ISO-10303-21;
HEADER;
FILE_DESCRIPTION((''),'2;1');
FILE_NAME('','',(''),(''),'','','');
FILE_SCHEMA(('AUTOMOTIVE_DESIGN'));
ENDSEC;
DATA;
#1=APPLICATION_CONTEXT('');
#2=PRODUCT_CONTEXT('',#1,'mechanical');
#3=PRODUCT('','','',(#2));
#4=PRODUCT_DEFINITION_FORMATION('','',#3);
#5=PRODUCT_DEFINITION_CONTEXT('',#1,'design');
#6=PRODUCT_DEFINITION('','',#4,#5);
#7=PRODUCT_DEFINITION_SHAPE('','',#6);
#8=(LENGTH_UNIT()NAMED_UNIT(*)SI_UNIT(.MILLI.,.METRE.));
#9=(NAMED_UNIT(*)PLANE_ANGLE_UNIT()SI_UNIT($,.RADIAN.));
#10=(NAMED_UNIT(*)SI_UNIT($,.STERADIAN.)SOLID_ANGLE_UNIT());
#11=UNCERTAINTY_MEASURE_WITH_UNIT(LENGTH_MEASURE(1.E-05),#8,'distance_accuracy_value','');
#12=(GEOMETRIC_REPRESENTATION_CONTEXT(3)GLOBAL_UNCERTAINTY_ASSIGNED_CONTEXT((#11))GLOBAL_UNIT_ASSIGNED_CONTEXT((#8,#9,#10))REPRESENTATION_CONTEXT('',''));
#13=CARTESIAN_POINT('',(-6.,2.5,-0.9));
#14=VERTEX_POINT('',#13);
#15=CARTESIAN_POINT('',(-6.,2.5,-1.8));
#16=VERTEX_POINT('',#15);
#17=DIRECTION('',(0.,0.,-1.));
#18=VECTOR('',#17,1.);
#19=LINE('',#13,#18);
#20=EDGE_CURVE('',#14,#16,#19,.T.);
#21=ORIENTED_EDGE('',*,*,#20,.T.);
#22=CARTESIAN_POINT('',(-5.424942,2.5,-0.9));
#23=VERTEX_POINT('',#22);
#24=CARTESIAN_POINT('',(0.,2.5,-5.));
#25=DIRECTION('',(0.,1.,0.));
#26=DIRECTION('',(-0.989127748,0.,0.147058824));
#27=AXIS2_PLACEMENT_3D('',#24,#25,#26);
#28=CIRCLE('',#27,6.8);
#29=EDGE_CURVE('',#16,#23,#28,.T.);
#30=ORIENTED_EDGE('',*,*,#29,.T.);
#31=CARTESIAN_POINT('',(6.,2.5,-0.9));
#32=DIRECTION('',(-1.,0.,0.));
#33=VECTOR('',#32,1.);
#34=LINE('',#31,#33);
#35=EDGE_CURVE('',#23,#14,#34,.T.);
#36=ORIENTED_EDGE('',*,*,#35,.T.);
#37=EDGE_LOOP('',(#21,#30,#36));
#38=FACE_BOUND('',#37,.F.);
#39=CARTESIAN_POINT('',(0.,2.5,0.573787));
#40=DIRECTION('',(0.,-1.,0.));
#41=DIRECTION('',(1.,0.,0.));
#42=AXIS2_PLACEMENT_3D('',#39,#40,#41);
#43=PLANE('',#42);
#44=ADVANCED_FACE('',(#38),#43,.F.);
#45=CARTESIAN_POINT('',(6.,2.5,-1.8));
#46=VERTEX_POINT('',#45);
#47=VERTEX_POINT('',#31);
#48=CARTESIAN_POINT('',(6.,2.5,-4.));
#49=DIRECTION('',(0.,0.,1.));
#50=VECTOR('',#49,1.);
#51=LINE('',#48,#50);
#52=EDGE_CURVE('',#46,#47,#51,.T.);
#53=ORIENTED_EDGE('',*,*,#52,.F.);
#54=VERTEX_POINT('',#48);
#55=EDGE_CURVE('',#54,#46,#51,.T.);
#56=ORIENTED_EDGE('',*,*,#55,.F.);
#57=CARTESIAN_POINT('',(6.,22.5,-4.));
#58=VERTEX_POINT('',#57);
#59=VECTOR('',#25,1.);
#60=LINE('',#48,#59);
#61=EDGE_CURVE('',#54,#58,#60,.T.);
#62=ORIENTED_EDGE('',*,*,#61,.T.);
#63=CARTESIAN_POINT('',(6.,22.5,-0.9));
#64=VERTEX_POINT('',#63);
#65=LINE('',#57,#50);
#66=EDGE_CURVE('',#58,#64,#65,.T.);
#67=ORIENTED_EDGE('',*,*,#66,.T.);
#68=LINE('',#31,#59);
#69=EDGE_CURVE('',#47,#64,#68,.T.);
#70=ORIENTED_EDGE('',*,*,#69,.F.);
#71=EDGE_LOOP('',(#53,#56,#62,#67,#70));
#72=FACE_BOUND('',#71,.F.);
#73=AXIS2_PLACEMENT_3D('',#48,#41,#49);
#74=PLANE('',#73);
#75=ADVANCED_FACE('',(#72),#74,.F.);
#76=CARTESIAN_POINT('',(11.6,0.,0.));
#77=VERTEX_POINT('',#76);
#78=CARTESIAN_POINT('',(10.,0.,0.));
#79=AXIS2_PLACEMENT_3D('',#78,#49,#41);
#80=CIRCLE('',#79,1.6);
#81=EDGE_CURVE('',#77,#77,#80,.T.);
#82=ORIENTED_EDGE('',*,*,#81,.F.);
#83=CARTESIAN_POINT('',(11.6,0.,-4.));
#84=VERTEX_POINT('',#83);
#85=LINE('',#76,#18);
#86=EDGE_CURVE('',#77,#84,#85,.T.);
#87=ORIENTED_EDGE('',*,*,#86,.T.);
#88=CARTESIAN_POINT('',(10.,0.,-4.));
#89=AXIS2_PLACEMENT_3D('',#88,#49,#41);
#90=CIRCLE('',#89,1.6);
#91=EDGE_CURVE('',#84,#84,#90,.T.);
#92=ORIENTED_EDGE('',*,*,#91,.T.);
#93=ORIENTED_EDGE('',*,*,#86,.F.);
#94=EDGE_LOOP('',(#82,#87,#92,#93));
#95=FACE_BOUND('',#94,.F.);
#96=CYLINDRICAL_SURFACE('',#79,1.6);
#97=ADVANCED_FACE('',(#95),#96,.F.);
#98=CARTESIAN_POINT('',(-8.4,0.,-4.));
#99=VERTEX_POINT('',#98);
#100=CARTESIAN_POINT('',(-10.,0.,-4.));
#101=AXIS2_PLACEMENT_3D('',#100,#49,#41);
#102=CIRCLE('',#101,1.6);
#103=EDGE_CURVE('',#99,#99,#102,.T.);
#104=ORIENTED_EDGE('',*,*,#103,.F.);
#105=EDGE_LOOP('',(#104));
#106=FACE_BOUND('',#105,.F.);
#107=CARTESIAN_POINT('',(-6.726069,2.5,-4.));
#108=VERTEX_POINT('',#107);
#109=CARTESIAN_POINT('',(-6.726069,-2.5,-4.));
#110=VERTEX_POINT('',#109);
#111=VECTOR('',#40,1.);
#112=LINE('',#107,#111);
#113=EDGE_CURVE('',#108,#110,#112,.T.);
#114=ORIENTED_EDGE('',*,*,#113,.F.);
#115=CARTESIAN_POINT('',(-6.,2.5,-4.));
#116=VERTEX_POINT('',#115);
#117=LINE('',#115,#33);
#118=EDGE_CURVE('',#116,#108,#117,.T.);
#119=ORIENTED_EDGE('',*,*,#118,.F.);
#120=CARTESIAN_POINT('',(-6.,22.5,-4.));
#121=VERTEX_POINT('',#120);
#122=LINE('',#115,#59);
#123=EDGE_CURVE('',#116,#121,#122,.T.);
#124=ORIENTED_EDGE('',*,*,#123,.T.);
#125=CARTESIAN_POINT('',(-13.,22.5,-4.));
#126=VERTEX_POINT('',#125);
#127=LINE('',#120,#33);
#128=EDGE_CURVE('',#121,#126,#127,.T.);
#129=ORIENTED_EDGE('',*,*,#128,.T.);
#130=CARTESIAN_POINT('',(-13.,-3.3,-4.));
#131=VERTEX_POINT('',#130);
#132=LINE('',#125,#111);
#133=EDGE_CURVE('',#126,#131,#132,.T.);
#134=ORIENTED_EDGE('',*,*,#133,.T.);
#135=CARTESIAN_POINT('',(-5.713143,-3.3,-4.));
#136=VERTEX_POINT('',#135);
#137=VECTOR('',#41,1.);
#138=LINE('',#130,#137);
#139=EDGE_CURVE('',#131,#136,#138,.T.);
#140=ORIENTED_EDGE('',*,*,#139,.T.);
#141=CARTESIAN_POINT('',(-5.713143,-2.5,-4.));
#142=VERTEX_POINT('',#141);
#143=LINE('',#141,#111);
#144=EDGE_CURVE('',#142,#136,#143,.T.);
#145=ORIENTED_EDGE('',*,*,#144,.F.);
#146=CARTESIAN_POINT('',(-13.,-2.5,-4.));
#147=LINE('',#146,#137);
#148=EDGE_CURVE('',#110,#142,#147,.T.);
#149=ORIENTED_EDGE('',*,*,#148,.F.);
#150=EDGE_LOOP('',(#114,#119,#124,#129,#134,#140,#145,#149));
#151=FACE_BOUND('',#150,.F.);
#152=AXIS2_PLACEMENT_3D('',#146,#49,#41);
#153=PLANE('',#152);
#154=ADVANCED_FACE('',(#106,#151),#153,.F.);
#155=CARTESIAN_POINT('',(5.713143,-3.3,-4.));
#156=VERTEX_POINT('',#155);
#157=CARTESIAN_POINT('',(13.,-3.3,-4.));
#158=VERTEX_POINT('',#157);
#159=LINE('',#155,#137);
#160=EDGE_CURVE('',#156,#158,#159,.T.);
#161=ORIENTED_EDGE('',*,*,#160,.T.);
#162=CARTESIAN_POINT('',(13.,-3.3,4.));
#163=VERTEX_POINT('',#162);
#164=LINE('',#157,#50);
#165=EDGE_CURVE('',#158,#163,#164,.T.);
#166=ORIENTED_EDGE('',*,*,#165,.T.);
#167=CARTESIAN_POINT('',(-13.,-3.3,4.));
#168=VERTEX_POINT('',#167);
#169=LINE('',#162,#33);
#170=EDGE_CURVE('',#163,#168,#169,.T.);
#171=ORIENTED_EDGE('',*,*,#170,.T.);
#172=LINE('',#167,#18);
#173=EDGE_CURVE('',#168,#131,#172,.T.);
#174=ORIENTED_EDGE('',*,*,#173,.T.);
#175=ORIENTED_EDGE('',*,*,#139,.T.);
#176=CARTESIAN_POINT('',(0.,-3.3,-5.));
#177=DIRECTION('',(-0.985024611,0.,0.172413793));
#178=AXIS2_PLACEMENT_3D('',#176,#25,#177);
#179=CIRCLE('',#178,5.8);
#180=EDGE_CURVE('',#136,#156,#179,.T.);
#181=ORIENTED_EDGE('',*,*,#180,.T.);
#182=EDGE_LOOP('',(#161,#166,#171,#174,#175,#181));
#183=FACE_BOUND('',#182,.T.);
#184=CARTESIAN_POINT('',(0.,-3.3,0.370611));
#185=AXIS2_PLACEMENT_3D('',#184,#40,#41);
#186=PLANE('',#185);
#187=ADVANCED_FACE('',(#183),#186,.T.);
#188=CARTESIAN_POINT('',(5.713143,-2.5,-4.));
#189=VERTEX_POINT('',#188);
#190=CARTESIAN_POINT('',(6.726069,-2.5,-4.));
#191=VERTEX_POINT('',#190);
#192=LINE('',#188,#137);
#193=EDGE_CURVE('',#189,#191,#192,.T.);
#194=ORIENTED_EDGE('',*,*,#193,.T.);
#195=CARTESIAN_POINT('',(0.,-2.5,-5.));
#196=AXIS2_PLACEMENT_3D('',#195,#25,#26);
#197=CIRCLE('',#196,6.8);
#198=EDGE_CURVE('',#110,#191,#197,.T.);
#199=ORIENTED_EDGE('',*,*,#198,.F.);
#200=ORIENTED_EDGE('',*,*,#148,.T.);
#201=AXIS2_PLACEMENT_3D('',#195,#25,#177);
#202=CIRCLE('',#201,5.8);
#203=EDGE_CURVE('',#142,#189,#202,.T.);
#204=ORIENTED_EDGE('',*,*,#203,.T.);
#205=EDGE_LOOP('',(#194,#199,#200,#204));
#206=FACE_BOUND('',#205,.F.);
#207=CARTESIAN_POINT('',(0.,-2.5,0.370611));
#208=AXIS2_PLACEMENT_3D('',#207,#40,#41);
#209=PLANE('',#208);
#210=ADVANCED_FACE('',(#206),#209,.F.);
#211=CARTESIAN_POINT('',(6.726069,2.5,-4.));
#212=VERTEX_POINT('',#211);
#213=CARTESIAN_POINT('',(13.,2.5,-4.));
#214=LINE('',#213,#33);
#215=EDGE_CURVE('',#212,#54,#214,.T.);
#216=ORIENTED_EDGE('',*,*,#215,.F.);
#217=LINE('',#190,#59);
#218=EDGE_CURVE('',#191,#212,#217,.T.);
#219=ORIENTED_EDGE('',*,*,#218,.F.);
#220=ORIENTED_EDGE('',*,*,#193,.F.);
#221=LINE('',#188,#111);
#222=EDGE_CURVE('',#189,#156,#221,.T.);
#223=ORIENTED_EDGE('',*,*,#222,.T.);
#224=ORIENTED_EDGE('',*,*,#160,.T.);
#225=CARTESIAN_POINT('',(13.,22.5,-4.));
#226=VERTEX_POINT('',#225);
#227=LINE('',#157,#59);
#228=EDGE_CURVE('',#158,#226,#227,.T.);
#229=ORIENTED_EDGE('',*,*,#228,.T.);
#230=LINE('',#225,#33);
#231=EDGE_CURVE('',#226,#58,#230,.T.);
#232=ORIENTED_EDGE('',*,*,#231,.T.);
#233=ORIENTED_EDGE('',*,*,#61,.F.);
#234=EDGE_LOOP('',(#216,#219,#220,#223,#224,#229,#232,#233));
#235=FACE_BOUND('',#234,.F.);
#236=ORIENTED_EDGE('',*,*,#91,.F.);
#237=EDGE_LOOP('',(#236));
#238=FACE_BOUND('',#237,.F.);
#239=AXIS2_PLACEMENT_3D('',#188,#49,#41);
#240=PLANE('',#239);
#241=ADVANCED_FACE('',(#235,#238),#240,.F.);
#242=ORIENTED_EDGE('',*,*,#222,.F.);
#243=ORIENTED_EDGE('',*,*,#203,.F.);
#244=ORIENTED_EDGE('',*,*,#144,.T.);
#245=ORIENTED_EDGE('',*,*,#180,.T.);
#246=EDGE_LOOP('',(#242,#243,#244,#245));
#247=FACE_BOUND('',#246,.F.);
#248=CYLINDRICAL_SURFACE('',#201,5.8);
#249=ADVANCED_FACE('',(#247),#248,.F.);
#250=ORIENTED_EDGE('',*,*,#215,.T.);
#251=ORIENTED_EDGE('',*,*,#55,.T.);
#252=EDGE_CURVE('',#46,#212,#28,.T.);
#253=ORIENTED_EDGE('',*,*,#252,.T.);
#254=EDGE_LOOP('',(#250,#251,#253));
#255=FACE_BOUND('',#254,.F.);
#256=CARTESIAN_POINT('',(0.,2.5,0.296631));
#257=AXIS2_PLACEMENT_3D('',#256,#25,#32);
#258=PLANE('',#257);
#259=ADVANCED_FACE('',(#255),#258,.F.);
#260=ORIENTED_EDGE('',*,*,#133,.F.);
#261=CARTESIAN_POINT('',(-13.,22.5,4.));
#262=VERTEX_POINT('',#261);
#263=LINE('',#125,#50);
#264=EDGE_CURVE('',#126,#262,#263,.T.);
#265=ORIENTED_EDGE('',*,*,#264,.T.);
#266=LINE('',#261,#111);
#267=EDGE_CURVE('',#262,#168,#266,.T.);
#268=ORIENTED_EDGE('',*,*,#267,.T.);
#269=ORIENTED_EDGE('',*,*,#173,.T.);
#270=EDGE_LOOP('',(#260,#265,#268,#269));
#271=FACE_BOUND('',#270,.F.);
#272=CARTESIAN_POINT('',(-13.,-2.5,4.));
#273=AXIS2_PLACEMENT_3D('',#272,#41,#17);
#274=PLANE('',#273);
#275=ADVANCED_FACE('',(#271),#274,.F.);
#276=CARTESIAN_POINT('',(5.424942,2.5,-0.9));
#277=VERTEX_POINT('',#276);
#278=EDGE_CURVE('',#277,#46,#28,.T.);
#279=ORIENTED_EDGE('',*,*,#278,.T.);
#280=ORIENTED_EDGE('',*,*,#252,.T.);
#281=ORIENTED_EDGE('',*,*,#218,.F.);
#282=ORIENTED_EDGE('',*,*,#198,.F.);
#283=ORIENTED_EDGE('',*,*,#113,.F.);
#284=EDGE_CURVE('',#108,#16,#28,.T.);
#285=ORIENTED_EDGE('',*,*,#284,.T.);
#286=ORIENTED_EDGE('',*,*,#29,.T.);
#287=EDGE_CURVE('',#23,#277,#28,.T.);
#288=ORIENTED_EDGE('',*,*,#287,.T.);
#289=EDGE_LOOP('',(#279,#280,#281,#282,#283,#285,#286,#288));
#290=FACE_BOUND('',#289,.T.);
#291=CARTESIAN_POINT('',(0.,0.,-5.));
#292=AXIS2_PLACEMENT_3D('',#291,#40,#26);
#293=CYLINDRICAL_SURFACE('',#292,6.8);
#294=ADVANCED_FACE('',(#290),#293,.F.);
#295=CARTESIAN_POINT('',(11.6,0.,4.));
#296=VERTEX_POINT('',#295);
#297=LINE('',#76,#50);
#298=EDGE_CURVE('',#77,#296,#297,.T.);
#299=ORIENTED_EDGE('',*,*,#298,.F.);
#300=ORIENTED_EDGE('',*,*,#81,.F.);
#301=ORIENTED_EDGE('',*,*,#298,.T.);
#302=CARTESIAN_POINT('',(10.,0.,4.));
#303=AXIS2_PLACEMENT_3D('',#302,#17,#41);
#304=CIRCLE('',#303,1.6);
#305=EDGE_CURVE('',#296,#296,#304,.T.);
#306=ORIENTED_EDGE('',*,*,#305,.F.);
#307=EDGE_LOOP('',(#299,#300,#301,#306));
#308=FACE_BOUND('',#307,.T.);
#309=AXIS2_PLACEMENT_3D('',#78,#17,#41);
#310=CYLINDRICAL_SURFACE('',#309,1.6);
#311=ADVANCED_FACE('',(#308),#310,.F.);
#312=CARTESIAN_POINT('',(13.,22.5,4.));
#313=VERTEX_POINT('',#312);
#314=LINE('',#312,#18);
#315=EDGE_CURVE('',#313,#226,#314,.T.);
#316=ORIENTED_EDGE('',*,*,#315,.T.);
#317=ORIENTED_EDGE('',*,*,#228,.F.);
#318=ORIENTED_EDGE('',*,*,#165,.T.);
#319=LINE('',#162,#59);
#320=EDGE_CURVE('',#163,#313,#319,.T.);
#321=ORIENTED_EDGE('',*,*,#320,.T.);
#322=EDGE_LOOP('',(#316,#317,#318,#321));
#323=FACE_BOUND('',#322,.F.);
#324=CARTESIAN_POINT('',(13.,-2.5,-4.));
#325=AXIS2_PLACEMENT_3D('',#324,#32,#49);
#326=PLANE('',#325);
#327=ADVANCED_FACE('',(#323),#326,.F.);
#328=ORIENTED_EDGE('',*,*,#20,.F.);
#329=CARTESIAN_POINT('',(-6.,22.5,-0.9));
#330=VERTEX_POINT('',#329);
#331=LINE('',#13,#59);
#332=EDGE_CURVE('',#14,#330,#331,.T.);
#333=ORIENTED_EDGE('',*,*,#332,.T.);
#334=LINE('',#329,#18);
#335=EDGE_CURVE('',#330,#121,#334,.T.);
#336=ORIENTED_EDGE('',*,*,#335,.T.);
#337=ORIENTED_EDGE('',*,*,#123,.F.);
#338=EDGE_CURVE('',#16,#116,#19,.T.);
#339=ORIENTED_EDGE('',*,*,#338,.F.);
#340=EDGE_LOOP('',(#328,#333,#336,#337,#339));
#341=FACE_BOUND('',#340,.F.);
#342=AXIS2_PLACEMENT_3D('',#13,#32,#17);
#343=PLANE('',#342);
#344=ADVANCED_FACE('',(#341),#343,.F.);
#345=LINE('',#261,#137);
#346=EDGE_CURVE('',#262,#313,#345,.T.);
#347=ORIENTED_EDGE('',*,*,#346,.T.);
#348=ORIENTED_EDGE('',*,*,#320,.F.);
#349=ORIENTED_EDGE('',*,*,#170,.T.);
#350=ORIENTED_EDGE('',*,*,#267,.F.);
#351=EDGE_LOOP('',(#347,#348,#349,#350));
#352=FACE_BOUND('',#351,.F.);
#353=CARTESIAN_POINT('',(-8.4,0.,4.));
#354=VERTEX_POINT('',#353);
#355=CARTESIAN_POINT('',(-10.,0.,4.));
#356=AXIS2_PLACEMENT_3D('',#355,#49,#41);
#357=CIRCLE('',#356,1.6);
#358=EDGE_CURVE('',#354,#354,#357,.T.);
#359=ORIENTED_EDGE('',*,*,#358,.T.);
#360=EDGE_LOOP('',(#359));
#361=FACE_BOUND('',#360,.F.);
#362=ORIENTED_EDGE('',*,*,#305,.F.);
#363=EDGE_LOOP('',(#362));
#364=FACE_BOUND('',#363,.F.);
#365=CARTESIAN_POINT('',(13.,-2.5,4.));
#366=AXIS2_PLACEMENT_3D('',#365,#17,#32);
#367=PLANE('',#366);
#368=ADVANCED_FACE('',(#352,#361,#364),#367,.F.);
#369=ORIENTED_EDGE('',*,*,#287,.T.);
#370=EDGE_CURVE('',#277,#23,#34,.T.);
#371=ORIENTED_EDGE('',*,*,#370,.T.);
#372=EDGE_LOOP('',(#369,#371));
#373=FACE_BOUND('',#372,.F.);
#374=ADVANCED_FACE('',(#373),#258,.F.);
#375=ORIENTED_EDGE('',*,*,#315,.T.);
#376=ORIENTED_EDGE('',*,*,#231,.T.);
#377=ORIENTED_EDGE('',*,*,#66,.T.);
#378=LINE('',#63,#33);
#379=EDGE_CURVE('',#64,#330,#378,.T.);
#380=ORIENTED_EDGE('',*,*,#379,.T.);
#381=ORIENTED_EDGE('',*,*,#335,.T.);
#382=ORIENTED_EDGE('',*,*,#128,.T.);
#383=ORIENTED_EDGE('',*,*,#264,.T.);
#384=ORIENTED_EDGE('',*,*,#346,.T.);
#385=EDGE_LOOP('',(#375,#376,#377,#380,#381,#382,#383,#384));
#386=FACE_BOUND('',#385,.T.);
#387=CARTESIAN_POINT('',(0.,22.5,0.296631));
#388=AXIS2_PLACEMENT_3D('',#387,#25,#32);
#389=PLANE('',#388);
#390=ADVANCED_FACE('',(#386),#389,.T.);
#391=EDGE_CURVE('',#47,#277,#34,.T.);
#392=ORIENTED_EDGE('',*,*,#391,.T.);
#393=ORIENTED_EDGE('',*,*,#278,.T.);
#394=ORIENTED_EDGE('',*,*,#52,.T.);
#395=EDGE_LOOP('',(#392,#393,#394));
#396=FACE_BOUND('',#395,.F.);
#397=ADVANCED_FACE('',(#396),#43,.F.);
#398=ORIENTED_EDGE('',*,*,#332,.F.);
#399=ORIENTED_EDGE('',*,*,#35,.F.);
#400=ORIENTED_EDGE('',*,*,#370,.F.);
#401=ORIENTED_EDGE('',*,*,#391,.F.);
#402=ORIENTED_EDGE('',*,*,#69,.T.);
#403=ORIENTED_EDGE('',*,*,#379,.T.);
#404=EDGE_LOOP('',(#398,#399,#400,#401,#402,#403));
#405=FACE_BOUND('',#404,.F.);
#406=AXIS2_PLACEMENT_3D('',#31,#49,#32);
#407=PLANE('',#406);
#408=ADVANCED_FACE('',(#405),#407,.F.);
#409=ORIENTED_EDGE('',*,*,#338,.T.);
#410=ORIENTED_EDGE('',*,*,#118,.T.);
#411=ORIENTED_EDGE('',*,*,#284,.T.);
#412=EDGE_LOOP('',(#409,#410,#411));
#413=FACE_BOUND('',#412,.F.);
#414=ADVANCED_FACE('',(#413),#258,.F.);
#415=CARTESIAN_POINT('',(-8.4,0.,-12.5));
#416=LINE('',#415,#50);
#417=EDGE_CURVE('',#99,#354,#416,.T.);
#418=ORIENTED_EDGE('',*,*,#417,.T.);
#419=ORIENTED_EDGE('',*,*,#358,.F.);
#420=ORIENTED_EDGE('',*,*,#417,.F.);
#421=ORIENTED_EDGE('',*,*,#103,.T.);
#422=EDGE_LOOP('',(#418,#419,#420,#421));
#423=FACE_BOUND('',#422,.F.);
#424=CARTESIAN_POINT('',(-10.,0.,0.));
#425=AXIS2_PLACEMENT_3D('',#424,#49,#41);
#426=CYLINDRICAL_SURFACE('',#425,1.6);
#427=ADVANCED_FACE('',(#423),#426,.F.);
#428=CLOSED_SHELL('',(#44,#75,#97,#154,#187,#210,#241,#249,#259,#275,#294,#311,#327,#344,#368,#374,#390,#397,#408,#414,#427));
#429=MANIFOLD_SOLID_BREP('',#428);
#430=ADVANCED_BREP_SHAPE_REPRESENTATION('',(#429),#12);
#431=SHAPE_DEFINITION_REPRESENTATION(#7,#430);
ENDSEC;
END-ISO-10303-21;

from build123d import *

# Parameters (mm, degrees)
F1_DEPTH = 2.5
F2_R     = 1.6
F3_DEPTH = 12.5
F6_DEPTH = 20
F9_DEPTH = 0.8


with BuildPart() as f1:
    # F0 (on Front) → F1 (new body, symmetric)
    with BuildSketch(Plane.XZ):
        with BuildLine():
            Line((13, 4), (-13, 4))
            Line((-13, 4), (-13, -4))
            Line((-13, -4), (-6.7260686883, -4))
            ThreePointArc((-6.7260686883, -4), (0, 1.8), (6.7260686883, -4))
            Line((6.7260686883, -4), (13, -4))
            Line((13, -4), (13, 4))
        make_face()
    extrude(amount=F1_DEPTH, both=True)

    # F2 (on Top) → F3 (cut, symmetric)
    with BuildSketch(Plane.XY):
        with Locations((10, 0)):
            Circle(F2_R)
        with Locations((-10, 0)):
            Circle(F2_R)
    extrude(amount=F3_DEPTH, both=True, mode=Mode.SUBTRACT)

    # F5 (on offset) → F6 (join)
    with BuildSketch(Plane(origin=(0, 2.5, 0), x_dir=(-1, 0, 0), z_dir=(0, 1, 0))):
        Polygon((13, 4), (-13, 4), (-13, -4), (-6, -4), (-6, -0.9), (6, -0.9), (6, -4), (13, -4), align=None)
    extrude(amount=F6_DEPTH)

    # F8 (on offset) → F9 (join)
    with BuildSketch(Plane.XZ.offset(2.5)):
        with BuildLine():
            Line((13, 4), (-13, 4))
            Line((-13, 4), (-13, -4))
            Line((-13, -4), (-5.7131427428, -4))
            ThreePointArc((-5.7131427428, -4), (0, 0.8), (5.7131427428, -4))
            Line((5.7131427428, -4), (13, -4))
            Line((13, -4), (13, 4))
        make_face()
    extrude(amount=F9_DEPTH)


solid = f1.part
